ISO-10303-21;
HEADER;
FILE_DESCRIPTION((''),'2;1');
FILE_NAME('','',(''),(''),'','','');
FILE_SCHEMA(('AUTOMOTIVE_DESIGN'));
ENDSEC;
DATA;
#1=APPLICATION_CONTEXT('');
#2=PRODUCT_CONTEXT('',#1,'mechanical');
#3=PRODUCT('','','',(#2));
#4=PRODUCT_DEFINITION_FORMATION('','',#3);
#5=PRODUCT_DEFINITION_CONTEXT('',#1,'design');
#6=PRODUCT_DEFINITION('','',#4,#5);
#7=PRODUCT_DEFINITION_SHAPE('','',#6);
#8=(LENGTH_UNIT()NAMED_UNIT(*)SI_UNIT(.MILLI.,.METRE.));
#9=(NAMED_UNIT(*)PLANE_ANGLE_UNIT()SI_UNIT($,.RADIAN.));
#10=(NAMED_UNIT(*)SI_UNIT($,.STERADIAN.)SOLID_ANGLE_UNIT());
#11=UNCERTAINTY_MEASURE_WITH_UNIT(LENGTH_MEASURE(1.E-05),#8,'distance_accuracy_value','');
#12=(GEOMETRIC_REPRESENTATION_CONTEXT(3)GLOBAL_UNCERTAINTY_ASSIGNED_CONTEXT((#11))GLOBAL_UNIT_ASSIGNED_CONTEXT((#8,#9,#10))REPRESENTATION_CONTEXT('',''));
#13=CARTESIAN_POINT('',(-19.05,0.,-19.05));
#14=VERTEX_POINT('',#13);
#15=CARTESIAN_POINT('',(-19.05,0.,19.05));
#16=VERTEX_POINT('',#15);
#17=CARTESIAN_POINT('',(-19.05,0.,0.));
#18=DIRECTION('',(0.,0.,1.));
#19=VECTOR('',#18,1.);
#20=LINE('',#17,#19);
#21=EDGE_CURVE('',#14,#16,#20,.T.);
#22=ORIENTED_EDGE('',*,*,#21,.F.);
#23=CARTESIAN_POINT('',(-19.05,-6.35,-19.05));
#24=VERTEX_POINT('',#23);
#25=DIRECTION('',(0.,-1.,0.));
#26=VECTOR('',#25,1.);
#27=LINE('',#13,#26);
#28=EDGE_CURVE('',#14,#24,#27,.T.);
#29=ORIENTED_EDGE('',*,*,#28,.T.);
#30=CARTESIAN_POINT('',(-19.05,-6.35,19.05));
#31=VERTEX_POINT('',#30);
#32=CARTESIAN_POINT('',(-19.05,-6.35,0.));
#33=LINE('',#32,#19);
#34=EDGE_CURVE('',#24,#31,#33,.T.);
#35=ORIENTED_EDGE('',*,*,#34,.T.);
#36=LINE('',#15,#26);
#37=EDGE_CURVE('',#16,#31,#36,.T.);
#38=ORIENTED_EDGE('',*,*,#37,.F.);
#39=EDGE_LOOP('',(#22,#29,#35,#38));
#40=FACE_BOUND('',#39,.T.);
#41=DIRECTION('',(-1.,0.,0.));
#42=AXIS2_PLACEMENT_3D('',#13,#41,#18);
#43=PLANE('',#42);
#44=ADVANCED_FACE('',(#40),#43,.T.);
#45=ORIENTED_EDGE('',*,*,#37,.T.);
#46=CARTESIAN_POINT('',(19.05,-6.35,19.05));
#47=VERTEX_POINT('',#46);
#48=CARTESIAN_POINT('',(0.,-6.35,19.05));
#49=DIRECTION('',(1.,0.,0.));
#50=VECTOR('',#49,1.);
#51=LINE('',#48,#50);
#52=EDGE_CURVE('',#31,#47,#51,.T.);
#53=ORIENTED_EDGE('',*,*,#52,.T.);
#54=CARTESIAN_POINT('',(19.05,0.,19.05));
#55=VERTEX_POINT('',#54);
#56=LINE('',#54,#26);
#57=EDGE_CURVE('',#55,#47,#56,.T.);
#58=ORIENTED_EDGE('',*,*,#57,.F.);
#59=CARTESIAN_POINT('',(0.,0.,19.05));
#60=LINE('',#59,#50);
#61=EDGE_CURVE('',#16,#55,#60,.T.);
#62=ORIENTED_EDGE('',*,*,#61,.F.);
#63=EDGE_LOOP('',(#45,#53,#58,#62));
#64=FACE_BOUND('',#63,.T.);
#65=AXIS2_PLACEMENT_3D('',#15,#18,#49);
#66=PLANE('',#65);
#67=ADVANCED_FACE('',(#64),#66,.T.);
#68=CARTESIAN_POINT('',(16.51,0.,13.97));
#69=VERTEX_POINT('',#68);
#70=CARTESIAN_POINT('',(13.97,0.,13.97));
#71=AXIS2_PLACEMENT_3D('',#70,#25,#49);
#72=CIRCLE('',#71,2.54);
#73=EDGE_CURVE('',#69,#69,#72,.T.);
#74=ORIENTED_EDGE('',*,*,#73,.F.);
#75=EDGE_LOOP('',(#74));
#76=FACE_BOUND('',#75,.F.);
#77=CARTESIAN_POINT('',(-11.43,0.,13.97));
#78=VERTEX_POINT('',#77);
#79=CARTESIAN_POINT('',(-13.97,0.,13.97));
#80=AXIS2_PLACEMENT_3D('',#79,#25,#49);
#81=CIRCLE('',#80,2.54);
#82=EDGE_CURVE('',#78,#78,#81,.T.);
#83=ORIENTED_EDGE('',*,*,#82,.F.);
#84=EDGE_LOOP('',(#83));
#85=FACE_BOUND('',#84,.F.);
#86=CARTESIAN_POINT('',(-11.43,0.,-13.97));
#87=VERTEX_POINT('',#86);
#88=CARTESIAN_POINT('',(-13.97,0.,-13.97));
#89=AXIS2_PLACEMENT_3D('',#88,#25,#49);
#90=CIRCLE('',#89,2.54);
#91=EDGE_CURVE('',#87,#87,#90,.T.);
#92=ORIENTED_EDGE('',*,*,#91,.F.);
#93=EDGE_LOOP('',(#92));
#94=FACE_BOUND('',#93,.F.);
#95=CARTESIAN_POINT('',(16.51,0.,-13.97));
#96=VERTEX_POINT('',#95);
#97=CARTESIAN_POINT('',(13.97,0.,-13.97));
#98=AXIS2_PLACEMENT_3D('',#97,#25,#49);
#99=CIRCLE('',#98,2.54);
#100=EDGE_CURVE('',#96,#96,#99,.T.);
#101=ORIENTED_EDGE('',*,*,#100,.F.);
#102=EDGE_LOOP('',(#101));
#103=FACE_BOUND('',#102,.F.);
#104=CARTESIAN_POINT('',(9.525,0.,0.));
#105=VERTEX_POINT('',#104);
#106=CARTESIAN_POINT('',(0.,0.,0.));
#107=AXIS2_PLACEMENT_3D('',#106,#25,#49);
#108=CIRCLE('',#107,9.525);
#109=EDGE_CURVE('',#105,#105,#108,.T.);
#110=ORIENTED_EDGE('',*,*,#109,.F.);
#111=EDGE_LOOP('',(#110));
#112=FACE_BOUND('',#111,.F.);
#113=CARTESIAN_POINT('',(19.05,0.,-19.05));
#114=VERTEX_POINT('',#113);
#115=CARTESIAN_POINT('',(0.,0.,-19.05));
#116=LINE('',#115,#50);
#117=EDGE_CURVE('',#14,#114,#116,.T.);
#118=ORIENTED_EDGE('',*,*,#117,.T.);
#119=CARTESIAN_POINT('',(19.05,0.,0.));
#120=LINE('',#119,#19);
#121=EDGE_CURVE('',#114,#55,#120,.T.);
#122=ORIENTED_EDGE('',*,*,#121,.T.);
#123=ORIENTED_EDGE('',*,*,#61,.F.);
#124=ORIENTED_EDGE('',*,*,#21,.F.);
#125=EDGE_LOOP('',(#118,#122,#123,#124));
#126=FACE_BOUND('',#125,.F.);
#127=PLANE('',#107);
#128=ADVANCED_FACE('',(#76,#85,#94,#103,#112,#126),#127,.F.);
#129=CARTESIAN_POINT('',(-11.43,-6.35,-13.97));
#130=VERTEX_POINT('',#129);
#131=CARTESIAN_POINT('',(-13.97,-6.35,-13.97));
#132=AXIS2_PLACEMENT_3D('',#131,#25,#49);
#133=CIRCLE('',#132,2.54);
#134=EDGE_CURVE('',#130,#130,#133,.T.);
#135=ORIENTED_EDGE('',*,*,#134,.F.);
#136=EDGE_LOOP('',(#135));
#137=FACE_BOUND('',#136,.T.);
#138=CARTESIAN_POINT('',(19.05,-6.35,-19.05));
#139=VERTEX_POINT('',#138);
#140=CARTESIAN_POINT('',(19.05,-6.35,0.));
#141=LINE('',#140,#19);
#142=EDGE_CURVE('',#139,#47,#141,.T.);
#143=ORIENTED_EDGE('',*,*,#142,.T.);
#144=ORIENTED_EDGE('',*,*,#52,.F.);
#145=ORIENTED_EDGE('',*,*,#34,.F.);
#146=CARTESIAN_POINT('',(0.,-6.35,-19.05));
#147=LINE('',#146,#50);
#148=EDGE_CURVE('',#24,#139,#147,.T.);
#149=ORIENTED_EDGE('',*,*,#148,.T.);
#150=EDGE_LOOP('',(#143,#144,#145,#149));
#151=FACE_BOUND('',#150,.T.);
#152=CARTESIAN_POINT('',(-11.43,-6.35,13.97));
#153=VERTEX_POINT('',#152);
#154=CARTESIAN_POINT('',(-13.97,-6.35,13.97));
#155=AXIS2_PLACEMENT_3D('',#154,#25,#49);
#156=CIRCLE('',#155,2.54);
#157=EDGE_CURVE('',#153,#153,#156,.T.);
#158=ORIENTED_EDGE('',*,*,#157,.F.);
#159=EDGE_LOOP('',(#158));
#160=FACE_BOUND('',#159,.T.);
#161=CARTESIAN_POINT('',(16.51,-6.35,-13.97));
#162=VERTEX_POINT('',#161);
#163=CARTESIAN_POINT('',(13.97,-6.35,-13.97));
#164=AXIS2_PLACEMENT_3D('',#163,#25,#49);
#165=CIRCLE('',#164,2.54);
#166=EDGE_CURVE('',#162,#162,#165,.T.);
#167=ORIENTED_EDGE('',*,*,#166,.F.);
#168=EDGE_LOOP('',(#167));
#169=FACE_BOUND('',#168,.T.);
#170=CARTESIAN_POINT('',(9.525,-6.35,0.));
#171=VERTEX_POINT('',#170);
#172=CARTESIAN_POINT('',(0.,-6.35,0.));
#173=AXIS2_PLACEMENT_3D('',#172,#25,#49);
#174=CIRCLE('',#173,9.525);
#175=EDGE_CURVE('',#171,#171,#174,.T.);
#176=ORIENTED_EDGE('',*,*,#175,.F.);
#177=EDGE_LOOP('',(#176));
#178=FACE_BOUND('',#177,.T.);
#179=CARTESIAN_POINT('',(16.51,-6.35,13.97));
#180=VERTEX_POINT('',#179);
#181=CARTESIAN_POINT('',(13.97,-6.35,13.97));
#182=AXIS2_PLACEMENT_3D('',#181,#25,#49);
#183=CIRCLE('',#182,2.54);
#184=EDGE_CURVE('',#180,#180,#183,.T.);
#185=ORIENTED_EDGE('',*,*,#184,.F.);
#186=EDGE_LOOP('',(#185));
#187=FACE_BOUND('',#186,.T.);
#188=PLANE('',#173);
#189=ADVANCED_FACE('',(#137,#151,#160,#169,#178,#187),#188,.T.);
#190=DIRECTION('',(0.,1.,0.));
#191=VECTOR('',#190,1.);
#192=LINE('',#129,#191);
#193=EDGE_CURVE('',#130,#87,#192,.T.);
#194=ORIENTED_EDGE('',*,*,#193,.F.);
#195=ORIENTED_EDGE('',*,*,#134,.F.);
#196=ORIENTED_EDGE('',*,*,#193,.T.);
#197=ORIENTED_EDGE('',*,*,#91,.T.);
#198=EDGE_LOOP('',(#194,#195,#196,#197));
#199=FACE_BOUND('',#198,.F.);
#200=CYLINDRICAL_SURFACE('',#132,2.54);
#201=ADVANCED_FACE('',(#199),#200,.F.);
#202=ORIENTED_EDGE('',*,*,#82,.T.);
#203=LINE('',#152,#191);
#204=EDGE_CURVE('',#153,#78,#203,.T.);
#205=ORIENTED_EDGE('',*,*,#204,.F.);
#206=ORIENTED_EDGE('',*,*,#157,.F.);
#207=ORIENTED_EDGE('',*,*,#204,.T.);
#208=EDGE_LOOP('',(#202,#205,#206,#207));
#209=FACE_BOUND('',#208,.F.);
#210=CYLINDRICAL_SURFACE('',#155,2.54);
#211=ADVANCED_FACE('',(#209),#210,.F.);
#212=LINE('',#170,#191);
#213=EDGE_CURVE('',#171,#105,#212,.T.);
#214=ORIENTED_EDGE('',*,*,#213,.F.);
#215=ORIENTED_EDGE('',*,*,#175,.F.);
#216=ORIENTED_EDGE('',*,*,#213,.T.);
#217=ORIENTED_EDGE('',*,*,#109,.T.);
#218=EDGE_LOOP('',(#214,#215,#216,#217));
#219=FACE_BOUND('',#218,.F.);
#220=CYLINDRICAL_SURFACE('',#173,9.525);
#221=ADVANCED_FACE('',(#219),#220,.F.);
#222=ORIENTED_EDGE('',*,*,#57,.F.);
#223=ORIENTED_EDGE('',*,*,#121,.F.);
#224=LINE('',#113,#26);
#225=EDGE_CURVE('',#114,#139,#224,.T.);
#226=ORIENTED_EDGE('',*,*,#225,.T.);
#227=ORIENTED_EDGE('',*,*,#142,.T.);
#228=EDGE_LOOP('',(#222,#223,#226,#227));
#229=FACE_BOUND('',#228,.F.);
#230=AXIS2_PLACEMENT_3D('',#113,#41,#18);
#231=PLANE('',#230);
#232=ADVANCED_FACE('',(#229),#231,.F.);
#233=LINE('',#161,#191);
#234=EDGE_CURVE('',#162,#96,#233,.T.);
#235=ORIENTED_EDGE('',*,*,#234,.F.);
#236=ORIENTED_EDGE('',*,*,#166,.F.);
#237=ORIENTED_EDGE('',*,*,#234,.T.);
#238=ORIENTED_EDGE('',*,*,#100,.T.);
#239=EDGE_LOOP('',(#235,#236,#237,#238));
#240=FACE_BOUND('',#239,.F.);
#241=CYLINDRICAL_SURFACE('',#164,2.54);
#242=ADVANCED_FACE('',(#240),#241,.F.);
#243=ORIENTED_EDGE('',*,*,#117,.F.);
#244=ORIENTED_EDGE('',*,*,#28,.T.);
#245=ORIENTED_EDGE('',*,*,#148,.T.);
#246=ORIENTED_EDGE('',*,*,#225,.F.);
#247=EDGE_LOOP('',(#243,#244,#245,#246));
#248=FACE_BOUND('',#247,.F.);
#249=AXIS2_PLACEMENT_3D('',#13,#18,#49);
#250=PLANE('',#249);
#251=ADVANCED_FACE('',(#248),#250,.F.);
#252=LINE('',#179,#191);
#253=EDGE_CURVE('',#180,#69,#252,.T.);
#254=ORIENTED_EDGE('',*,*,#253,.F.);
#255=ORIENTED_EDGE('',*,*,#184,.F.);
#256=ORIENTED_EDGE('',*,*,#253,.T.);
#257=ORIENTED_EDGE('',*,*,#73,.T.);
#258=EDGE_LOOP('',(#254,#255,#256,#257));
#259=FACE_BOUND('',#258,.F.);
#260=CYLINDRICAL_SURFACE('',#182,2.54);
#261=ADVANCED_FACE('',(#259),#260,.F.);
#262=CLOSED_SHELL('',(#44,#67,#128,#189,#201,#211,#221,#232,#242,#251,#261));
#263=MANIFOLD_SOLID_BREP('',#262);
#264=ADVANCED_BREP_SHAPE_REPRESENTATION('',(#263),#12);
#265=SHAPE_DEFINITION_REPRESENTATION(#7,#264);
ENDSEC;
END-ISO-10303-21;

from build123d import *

# Parameters (mm, degrees)
F0_W     = 38.1
F0_H     = 38.1
F1_DEPTH = 6.35
F2_R     = 2.54
F3_DEPTH = 6.351
F4_R     = 9.525
F5_DEPTH = 6.351


with BuildPart() as f1:
    # F0 (on Front) → F1 (new body)
    with BuildSketch(Plane.XZ):
        Rectangle(F0_W, F0_H)
    extrude(amount=F1_DEPTH)

    # F2 (on face) → F3 (cut, through all)
    with BuildSketch(Plane.XZ.offset(6.35)):
        with Locations((-13.97, 13.97)):
            Circle(F2_R)
        with Locations((13.97, 13.97)):
            Circle(F2_R)
        with Locations((13.97, -13.97)):
            Circle(F2_R)
        with Locations((-13.97, -13.97)):
            Circle(F2_R)
    extrude(amount=-F3_DEPTH, mode=Mode.SUBTRACT)

    # F4 (on face) → F5 (cut, through all)
    with BuildSketch(Plane.XZ.offset(6.35)):
        Circle(F4_R)
    extrude(amount=-F5_DEPTH, mode=Mode.SUBTRACT)


solid = f1.part
